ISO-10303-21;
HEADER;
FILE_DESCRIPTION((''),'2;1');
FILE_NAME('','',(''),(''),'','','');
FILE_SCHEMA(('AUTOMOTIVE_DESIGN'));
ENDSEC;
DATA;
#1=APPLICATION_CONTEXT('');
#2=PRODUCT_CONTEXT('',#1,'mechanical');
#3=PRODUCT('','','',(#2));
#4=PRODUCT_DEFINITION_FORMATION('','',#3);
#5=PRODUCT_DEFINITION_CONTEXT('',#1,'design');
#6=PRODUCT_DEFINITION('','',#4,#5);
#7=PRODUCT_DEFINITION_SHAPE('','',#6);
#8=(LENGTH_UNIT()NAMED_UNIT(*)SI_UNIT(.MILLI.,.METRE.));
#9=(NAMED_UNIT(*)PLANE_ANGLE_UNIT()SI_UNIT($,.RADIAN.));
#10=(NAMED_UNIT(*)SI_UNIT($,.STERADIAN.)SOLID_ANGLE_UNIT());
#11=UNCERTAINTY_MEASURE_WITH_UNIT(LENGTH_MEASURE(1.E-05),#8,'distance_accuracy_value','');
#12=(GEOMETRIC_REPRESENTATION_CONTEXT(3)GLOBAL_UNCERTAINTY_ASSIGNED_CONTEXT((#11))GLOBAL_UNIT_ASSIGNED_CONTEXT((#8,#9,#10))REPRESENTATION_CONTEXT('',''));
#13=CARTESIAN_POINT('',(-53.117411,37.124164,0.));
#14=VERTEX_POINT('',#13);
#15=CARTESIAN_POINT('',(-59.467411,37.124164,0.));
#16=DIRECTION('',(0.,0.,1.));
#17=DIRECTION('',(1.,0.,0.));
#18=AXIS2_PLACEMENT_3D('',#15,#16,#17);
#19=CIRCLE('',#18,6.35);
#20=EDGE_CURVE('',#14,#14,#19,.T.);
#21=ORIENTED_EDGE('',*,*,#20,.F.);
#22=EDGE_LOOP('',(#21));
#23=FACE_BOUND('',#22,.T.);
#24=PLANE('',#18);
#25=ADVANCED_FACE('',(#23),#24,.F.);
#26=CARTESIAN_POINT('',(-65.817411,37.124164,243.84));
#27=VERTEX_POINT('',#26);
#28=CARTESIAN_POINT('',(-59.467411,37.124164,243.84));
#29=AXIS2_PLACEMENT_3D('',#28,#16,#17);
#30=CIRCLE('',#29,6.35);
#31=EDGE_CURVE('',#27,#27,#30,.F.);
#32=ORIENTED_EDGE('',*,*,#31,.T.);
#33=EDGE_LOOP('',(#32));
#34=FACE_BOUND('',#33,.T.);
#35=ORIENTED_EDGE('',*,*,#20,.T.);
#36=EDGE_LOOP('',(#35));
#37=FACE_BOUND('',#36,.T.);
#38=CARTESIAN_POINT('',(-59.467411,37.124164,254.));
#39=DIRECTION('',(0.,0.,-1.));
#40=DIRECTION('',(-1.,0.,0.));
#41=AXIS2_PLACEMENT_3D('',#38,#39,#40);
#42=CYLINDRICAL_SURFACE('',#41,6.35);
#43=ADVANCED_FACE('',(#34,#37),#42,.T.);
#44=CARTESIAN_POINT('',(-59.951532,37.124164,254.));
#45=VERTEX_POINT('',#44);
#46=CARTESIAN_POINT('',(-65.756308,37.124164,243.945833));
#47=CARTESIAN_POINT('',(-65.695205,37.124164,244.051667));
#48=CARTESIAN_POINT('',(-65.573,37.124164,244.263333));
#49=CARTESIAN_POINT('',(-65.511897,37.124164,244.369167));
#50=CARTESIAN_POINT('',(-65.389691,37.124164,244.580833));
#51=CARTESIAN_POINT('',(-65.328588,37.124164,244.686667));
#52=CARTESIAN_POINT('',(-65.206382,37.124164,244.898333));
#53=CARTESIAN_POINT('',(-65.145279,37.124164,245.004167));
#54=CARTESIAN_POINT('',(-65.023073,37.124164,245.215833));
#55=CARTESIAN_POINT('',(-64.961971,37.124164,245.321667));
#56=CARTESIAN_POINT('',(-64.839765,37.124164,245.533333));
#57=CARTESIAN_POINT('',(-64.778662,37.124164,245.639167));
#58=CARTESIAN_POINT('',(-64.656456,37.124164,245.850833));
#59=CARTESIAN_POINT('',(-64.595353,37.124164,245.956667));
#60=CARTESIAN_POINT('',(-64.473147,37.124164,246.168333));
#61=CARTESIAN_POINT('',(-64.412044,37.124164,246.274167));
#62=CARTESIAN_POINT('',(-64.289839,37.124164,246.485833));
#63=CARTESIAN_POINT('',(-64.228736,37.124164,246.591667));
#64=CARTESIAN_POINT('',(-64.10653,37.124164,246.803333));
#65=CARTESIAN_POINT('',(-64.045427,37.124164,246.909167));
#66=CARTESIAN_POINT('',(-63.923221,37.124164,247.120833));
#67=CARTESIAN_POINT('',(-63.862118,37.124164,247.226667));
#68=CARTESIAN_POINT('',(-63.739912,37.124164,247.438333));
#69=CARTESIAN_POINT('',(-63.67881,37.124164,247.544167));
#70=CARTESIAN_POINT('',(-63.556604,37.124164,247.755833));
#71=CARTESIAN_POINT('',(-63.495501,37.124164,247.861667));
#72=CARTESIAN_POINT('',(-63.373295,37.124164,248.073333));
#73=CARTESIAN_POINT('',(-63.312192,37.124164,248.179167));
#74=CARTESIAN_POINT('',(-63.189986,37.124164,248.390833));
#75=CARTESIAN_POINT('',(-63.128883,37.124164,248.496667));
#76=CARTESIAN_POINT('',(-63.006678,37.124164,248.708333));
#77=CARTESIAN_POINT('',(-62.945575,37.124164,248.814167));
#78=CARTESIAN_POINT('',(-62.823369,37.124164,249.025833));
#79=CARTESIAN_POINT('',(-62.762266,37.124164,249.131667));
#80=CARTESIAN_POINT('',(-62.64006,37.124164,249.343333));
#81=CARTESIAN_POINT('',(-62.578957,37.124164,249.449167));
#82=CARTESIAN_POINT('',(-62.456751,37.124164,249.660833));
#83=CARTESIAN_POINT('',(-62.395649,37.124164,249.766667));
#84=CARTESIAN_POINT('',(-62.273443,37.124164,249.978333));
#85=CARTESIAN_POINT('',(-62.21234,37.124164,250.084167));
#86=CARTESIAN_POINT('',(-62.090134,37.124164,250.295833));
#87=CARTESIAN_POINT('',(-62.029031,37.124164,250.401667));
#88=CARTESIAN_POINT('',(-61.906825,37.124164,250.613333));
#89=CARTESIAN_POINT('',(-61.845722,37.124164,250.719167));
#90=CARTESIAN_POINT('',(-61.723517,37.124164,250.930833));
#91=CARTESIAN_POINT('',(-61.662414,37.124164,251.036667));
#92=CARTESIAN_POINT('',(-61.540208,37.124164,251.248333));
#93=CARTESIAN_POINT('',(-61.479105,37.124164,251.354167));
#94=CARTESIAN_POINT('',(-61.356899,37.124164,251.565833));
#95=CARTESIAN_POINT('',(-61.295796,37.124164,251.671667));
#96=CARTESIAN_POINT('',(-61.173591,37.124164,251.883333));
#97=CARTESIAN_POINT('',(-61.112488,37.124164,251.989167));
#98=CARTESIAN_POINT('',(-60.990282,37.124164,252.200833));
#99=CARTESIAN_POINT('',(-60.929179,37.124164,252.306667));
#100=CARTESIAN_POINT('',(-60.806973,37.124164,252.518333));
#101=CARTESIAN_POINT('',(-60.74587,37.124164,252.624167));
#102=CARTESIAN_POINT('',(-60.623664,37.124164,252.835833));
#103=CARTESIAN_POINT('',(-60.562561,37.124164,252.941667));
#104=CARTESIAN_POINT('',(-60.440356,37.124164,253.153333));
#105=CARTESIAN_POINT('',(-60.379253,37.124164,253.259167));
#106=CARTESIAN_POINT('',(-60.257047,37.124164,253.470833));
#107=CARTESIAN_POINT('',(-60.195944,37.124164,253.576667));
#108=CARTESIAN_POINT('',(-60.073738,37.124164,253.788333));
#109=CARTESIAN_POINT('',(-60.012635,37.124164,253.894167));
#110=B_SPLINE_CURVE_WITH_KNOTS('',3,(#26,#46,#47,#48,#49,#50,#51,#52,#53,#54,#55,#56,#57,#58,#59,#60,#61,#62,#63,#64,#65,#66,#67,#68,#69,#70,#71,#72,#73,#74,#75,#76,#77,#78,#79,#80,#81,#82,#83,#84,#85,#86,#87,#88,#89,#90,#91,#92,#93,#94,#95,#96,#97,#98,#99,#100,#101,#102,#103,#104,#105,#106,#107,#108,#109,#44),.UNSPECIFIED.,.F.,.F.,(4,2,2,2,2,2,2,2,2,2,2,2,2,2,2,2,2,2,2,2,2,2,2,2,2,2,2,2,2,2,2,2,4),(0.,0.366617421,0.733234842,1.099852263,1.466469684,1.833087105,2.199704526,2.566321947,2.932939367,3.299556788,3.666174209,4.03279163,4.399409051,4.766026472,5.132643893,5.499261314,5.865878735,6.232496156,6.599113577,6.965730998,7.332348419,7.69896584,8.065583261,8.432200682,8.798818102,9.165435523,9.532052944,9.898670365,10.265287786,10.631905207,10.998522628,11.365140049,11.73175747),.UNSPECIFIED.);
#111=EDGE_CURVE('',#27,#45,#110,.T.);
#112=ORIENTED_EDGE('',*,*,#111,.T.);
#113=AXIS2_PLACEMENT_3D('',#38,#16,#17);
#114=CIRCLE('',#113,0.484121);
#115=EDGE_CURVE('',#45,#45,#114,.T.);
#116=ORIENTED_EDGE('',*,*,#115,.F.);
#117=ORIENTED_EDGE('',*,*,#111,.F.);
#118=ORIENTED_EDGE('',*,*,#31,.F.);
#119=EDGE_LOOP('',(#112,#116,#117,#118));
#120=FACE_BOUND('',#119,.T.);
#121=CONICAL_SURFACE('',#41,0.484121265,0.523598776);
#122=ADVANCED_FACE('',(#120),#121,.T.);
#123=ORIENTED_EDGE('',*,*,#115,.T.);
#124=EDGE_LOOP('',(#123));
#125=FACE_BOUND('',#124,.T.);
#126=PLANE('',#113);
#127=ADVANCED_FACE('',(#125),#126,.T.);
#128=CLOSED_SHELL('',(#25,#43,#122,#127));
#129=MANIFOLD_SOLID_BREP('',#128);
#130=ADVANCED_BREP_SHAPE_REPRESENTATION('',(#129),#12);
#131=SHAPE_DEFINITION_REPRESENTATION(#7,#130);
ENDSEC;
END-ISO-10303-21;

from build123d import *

# Parameters (mm, degrees)
SKETCH1_R           = 6.35
BOSS_EXTRUDE2_DEPTH = 254
CHAMFER7_SIZE       = 10.16
CHAMFER7_SIZE2      = 5.865878735


with BuildPart() as part:
    # Sketch1 → Boss-Extrude2 (new body)
    with BuildSketch(Plane.XY):
        with Locations((-59.467411181, 37.124164206)):
            Circle(SKETCH1_R)
    extrude(amount=BOSS_EXTRUDE2_DEPTH)

    # Chamfer7
    chamfer7_edges = [part.edges().sort_by_distance(p)[0] for p in [
        (-65.817411181, 37.124164206, 254),
    ]]
    chamfer7_side = [part.faces().sort_by_distance(p)[0] for p in [
        (-65.817411181, 37.124164206, 127),
    ]]
    chamfer(chamfer7_edges, length=CHAMFER7_SIZE, length2=CHAMFER7_SIZE2, reference=chamfer7_side[0])


solid = part.part
